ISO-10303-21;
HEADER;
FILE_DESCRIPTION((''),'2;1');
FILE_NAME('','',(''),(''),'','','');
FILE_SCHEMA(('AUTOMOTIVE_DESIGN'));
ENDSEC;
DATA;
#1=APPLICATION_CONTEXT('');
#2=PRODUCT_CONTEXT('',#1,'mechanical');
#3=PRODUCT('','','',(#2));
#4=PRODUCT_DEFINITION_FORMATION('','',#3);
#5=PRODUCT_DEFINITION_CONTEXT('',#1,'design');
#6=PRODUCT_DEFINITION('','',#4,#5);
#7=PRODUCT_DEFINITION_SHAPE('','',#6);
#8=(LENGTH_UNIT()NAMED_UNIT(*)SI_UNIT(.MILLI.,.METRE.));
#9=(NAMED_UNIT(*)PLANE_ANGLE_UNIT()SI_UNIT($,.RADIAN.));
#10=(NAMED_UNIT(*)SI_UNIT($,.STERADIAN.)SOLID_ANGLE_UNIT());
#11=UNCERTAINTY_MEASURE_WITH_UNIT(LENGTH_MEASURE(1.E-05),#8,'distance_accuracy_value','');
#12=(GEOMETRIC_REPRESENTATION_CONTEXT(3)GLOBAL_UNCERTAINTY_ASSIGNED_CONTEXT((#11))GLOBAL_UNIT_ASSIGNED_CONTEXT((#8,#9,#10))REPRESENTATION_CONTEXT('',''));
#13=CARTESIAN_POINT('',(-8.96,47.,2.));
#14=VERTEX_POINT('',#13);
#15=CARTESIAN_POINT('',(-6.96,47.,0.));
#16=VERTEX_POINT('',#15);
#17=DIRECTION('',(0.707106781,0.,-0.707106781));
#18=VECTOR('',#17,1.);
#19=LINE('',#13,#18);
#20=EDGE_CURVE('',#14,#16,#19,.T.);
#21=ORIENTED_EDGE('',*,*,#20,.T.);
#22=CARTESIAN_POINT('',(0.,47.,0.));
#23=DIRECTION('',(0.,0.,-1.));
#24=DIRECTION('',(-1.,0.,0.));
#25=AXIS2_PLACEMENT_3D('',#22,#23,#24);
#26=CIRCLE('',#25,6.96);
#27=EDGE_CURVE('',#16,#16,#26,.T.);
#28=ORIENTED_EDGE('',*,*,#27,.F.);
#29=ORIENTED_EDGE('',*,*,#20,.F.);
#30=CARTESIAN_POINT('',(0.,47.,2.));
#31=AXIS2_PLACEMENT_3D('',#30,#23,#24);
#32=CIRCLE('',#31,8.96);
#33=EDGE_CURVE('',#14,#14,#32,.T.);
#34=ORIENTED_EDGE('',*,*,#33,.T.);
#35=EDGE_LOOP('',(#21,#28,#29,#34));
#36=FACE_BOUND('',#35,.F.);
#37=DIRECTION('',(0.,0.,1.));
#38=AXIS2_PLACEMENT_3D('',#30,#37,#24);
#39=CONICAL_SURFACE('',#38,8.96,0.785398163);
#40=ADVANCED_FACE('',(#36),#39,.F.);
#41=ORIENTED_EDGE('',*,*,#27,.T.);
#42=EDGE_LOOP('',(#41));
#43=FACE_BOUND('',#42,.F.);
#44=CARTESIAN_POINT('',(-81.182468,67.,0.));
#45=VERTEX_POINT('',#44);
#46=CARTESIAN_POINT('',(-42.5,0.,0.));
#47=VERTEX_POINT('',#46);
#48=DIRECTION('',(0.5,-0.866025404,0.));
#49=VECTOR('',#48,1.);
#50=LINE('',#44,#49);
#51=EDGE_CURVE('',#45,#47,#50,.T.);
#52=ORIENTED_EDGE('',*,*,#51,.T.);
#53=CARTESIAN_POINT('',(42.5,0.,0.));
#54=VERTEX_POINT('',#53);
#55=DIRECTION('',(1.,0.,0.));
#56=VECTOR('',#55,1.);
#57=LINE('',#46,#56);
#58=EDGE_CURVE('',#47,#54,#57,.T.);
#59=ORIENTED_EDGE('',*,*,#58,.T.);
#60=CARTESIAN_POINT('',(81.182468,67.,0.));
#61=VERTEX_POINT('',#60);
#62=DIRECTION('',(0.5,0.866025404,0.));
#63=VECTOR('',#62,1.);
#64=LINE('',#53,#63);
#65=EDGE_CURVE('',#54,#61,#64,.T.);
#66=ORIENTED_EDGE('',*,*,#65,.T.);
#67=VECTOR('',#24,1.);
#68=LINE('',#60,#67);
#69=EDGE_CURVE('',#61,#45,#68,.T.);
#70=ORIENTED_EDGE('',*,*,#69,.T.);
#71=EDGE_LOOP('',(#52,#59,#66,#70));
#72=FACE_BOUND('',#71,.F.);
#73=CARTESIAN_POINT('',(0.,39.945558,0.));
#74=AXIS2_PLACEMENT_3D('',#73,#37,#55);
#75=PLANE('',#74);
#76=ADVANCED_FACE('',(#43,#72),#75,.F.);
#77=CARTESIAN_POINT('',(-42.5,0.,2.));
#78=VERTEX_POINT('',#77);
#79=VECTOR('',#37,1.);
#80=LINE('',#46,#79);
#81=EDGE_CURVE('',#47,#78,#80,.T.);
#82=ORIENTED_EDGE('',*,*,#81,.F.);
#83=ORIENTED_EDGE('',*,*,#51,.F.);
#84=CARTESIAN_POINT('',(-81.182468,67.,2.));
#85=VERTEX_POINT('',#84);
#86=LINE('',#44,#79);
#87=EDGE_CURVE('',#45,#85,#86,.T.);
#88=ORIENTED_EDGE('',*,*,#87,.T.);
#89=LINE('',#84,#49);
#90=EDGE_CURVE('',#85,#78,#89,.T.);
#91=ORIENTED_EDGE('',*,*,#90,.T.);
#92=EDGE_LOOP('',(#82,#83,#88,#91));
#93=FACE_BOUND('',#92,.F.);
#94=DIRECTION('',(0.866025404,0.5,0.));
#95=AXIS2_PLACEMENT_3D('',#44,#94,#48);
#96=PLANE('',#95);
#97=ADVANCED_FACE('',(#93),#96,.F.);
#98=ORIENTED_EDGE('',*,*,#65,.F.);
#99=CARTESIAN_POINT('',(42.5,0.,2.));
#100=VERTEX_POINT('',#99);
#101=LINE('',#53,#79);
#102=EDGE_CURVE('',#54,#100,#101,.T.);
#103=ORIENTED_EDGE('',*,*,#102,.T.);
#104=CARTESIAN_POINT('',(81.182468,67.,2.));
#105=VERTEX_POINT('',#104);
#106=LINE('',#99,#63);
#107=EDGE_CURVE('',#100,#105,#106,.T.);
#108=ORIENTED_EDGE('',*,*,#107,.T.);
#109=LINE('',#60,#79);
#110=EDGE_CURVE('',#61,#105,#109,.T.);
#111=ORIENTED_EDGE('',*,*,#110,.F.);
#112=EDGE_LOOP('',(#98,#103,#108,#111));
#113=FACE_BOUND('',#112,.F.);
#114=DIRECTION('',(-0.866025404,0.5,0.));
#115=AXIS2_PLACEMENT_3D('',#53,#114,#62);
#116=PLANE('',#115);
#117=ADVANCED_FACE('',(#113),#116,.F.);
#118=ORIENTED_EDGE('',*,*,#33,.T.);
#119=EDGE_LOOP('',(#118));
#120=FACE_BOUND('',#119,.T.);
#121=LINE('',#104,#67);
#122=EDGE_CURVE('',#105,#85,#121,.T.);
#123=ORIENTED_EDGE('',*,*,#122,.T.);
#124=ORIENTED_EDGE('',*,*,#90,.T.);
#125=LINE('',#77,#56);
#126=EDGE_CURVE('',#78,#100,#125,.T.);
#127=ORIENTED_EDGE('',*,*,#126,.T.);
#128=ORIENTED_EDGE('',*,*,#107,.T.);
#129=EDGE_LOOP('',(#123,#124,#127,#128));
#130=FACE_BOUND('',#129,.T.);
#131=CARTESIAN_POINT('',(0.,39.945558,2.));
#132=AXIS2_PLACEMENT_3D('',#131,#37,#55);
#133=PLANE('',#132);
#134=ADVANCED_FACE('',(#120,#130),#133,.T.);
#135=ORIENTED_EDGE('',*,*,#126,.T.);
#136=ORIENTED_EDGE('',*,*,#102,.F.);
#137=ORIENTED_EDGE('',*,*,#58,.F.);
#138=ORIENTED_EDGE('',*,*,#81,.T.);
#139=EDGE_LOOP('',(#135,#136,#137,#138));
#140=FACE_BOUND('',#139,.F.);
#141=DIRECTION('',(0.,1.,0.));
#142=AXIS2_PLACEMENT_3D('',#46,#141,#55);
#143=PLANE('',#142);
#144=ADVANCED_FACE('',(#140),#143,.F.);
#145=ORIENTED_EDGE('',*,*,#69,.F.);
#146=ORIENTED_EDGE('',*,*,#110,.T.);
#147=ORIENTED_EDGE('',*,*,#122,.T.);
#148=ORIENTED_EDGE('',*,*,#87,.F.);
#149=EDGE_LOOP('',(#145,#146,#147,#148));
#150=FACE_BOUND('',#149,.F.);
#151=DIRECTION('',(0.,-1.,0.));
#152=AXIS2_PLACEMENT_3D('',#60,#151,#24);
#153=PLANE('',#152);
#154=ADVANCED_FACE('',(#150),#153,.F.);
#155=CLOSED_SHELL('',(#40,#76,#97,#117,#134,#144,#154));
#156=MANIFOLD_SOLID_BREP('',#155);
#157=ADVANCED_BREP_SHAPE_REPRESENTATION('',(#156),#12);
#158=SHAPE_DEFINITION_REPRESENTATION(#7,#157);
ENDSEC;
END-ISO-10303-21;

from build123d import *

# Parameters (mm, degrees)
F1_DEPTH       = 2
F3_D           = 8.8
F3_CSINK_D     = 17.92
F3_CSINK_ANGLE = 90


with BuildPart() as f1:
    # F0 (on Top) → F1 (new body)
    with BuildSketch(Plane.XY):
        Polygon((-81.1824680357, 67), (-42.5, 0), (42.5, 0), (81.1824680357, 67), align=None)
    extrude(amount=F1_DEPTH)

    # F3 (through all)
    with Locations(Plane.XY.offset(2)):
        with Locations((0, 47)):
            CounterSinkHole(F3_D / 2, F3_CSINK_D / 2, counter_sink_angle=F3_CSINK_ANGLE)


solid = f1.part
